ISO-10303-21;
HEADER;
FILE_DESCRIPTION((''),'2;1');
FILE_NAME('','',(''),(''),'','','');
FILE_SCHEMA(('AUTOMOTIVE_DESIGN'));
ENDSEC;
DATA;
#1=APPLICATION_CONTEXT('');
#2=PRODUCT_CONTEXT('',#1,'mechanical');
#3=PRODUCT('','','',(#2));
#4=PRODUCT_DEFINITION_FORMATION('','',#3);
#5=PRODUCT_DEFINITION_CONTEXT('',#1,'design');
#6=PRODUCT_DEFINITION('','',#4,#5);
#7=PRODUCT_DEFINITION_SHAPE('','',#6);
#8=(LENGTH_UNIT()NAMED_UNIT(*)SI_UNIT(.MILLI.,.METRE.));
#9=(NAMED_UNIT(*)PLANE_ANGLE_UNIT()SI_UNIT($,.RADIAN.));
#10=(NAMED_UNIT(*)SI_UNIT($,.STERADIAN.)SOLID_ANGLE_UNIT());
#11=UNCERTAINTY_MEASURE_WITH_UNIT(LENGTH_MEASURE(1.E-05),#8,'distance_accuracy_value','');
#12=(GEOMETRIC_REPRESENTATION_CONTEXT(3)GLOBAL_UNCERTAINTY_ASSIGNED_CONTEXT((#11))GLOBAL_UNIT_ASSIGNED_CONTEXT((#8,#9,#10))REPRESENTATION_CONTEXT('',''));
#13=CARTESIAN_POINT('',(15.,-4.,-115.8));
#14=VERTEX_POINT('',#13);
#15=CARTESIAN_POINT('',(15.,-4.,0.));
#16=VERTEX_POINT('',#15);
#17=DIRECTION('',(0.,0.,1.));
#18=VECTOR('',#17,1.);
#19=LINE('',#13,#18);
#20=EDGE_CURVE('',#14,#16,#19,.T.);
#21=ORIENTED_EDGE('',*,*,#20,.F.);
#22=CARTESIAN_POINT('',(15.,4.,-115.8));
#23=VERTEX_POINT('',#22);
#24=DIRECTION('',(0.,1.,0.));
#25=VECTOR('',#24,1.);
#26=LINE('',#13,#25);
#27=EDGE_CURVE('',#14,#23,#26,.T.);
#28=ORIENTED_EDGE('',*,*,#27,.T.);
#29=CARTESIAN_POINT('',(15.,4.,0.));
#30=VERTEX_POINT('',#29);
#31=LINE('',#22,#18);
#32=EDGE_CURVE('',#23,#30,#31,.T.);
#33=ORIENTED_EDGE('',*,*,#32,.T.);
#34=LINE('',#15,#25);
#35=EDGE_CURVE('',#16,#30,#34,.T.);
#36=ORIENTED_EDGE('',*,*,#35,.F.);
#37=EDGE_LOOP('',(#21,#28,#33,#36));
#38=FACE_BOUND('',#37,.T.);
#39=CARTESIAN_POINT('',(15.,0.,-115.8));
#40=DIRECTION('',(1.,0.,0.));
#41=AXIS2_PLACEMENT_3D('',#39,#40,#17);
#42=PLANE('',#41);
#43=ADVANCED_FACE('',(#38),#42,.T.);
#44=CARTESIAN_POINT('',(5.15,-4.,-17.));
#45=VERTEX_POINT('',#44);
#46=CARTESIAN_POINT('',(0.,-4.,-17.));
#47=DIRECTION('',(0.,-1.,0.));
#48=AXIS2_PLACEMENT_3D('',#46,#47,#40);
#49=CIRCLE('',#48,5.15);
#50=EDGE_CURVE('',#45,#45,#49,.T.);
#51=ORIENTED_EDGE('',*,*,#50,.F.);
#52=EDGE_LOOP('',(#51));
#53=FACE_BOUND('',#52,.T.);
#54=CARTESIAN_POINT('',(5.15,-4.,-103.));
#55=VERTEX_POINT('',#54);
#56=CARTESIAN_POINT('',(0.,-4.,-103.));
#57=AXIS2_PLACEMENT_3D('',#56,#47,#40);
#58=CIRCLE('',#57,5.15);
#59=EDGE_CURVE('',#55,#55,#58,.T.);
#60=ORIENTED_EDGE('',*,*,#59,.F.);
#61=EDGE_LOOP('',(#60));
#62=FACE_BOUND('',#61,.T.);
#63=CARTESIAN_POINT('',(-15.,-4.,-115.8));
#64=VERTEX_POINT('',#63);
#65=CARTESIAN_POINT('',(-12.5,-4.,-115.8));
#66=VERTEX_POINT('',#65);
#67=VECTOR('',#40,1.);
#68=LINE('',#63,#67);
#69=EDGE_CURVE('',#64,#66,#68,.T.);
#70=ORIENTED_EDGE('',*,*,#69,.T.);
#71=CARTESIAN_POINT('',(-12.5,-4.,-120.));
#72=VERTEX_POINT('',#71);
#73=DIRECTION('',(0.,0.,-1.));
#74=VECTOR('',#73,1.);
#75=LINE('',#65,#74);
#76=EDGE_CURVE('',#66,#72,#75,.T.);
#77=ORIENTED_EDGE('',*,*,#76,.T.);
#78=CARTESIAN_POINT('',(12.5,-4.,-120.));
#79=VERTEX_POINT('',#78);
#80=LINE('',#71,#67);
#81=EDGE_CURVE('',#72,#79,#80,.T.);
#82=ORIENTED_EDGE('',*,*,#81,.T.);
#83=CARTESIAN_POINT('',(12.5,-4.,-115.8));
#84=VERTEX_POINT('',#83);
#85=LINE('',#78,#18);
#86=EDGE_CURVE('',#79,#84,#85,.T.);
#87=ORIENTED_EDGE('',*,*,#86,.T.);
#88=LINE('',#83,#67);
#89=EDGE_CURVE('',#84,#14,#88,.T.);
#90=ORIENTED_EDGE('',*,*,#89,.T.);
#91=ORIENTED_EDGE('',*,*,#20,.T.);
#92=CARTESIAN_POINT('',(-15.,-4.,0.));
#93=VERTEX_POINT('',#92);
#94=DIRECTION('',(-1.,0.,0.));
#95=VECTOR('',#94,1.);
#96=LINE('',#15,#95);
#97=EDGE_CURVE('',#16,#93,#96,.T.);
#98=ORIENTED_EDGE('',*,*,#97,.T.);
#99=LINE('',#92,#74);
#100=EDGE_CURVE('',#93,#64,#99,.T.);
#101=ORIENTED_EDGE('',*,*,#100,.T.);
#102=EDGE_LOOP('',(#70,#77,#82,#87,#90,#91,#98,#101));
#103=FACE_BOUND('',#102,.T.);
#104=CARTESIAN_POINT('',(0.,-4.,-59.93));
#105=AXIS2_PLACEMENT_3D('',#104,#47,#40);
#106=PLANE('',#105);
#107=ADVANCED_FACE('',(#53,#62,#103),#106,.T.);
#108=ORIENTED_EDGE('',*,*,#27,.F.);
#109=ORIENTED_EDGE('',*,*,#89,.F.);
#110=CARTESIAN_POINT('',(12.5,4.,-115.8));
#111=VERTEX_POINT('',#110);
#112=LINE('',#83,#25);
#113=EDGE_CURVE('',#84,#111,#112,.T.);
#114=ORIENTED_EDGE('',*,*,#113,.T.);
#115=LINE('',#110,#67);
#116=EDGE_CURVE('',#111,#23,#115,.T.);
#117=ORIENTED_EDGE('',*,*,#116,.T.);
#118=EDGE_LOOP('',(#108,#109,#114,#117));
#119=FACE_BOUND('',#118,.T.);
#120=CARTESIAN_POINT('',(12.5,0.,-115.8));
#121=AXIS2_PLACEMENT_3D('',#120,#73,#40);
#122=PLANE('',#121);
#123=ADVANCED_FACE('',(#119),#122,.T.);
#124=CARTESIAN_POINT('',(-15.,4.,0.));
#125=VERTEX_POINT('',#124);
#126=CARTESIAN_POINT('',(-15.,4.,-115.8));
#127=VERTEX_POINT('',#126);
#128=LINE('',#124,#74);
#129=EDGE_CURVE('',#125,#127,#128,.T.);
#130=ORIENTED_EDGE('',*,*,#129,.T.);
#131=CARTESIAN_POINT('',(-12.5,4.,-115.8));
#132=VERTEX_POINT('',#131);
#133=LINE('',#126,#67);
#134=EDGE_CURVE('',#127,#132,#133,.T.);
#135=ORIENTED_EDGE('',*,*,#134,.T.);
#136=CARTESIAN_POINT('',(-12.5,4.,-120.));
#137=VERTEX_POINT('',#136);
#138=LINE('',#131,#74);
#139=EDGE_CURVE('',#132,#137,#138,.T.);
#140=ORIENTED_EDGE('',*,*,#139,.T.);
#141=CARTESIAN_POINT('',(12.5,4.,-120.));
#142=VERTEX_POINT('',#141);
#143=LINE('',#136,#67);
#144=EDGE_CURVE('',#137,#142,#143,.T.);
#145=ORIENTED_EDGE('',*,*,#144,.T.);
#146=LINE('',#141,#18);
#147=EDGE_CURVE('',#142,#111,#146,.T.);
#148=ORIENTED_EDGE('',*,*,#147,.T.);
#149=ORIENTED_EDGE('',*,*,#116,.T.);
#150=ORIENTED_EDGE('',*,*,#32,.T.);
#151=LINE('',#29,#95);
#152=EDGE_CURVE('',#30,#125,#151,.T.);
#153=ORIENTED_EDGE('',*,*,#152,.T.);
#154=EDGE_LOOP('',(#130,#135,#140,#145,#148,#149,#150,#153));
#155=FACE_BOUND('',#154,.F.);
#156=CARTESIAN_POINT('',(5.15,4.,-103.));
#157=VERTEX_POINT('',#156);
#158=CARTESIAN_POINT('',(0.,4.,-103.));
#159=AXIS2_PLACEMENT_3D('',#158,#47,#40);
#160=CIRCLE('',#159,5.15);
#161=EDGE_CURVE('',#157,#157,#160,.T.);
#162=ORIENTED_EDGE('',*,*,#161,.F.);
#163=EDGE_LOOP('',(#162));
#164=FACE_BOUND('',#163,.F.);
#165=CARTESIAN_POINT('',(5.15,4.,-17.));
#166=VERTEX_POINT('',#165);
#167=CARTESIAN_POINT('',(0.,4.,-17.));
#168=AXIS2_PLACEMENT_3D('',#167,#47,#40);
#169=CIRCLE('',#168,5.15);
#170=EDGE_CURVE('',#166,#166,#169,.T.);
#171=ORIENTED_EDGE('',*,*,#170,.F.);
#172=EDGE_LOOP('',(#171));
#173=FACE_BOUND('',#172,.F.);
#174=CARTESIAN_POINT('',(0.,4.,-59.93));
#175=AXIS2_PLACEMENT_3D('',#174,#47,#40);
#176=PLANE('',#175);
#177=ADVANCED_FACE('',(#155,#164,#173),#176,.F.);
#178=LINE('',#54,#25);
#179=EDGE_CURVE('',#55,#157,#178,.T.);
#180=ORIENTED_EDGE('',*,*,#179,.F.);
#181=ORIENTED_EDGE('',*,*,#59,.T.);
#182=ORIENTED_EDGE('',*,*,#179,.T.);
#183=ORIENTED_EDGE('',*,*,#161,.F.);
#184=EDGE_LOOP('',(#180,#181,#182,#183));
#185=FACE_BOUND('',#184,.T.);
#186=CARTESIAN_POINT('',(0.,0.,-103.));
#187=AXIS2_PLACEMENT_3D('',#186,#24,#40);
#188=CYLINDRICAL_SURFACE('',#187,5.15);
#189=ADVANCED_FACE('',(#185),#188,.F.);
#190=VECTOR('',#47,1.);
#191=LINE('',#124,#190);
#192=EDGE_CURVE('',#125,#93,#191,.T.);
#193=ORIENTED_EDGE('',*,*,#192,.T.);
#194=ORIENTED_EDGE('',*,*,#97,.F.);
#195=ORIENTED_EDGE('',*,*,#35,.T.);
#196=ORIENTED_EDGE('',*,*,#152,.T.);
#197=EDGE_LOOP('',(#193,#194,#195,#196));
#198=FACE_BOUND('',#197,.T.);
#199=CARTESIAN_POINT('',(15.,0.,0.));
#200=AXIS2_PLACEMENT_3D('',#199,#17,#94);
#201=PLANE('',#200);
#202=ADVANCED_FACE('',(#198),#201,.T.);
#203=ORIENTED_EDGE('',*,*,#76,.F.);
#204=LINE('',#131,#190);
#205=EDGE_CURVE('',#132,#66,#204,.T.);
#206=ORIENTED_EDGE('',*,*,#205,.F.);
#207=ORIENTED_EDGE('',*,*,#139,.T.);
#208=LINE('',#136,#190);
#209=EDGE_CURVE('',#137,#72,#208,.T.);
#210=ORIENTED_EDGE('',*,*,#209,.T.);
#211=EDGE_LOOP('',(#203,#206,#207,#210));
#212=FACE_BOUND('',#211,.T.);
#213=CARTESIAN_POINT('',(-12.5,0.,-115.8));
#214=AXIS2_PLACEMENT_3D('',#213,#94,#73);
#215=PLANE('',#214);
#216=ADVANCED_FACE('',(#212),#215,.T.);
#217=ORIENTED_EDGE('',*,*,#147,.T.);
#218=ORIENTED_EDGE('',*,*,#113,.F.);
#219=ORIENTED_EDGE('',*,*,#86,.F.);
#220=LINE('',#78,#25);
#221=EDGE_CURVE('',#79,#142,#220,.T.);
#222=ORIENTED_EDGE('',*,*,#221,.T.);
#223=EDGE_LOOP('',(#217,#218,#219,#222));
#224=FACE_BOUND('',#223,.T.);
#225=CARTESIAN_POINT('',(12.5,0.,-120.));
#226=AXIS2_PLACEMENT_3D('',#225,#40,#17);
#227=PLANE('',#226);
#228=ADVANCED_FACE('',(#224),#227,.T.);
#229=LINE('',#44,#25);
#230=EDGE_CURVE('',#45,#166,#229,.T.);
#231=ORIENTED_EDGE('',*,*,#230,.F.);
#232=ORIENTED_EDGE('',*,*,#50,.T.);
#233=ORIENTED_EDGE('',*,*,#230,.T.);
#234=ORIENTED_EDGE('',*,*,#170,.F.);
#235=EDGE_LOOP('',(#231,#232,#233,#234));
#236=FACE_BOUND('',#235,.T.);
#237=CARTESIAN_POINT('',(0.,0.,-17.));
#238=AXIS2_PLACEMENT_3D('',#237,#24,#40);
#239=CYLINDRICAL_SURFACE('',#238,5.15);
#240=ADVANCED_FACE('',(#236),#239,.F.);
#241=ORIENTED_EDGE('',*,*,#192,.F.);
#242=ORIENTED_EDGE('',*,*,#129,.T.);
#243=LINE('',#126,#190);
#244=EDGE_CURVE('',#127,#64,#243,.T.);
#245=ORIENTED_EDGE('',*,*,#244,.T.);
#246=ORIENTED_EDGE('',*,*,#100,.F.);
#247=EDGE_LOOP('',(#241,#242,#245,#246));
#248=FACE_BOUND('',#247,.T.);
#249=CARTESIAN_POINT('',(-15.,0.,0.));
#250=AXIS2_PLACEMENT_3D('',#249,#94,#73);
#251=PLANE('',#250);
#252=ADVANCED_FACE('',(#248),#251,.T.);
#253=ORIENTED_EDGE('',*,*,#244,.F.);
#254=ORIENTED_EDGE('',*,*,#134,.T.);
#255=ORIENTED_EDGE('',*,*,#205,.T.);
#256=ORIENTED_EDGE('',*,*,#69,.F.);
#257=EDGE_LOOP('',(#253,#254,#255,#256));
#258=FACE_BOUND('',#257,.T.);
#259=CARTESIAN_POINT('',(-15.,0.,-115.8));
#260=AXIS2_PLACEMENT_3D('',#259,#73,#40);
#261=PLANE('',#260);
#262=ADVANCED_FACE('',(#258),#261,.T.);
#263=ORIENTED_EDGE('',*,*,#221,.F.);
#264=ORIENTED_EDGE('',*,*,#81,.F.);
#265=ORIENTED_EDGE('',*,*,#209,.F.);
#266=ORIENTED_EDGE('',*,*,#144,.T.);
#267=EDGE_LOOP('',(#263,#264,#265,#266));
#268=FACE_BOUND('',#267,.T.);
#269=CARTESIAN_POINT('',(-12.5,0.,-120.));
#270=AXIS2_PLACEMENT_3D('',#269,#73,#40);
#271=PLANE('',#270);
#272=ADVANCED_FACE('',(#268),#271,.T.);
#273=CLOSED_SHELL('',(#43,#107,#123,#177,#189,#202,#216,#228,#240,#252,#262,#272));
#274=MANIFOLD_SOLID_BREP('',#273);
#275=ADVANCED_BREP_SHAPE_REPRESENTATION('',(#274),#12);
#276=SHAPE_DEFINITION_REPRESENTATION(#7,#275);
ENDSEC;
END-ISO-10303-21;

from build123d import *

# Parameters (mm, degrees)
F0_R     = 5.15
F1_DEPTH = 4


with BuildPart() as f1:
    # F0 (on Front) → F1 (new body, symmetric)
    with BuildSketch(Plane.XZ):
        Polygon((15, 0), (-15, 0), (-15, -115.8), (-12.5, -115.8), (-12.5, -120), (12.5, -120), (12.5, -115.8), (15, -115.8), align=None)
        with Locations((0, -103)):
            Circle(F0_R, mode=Mode.SUBTRACT)
        with Locations((0, -17)):
            Circle(F0_R, mode=Mode.SUBTRACT)
    extrude(amount=F1_DEPTH, both=True)


solid = f1.part
